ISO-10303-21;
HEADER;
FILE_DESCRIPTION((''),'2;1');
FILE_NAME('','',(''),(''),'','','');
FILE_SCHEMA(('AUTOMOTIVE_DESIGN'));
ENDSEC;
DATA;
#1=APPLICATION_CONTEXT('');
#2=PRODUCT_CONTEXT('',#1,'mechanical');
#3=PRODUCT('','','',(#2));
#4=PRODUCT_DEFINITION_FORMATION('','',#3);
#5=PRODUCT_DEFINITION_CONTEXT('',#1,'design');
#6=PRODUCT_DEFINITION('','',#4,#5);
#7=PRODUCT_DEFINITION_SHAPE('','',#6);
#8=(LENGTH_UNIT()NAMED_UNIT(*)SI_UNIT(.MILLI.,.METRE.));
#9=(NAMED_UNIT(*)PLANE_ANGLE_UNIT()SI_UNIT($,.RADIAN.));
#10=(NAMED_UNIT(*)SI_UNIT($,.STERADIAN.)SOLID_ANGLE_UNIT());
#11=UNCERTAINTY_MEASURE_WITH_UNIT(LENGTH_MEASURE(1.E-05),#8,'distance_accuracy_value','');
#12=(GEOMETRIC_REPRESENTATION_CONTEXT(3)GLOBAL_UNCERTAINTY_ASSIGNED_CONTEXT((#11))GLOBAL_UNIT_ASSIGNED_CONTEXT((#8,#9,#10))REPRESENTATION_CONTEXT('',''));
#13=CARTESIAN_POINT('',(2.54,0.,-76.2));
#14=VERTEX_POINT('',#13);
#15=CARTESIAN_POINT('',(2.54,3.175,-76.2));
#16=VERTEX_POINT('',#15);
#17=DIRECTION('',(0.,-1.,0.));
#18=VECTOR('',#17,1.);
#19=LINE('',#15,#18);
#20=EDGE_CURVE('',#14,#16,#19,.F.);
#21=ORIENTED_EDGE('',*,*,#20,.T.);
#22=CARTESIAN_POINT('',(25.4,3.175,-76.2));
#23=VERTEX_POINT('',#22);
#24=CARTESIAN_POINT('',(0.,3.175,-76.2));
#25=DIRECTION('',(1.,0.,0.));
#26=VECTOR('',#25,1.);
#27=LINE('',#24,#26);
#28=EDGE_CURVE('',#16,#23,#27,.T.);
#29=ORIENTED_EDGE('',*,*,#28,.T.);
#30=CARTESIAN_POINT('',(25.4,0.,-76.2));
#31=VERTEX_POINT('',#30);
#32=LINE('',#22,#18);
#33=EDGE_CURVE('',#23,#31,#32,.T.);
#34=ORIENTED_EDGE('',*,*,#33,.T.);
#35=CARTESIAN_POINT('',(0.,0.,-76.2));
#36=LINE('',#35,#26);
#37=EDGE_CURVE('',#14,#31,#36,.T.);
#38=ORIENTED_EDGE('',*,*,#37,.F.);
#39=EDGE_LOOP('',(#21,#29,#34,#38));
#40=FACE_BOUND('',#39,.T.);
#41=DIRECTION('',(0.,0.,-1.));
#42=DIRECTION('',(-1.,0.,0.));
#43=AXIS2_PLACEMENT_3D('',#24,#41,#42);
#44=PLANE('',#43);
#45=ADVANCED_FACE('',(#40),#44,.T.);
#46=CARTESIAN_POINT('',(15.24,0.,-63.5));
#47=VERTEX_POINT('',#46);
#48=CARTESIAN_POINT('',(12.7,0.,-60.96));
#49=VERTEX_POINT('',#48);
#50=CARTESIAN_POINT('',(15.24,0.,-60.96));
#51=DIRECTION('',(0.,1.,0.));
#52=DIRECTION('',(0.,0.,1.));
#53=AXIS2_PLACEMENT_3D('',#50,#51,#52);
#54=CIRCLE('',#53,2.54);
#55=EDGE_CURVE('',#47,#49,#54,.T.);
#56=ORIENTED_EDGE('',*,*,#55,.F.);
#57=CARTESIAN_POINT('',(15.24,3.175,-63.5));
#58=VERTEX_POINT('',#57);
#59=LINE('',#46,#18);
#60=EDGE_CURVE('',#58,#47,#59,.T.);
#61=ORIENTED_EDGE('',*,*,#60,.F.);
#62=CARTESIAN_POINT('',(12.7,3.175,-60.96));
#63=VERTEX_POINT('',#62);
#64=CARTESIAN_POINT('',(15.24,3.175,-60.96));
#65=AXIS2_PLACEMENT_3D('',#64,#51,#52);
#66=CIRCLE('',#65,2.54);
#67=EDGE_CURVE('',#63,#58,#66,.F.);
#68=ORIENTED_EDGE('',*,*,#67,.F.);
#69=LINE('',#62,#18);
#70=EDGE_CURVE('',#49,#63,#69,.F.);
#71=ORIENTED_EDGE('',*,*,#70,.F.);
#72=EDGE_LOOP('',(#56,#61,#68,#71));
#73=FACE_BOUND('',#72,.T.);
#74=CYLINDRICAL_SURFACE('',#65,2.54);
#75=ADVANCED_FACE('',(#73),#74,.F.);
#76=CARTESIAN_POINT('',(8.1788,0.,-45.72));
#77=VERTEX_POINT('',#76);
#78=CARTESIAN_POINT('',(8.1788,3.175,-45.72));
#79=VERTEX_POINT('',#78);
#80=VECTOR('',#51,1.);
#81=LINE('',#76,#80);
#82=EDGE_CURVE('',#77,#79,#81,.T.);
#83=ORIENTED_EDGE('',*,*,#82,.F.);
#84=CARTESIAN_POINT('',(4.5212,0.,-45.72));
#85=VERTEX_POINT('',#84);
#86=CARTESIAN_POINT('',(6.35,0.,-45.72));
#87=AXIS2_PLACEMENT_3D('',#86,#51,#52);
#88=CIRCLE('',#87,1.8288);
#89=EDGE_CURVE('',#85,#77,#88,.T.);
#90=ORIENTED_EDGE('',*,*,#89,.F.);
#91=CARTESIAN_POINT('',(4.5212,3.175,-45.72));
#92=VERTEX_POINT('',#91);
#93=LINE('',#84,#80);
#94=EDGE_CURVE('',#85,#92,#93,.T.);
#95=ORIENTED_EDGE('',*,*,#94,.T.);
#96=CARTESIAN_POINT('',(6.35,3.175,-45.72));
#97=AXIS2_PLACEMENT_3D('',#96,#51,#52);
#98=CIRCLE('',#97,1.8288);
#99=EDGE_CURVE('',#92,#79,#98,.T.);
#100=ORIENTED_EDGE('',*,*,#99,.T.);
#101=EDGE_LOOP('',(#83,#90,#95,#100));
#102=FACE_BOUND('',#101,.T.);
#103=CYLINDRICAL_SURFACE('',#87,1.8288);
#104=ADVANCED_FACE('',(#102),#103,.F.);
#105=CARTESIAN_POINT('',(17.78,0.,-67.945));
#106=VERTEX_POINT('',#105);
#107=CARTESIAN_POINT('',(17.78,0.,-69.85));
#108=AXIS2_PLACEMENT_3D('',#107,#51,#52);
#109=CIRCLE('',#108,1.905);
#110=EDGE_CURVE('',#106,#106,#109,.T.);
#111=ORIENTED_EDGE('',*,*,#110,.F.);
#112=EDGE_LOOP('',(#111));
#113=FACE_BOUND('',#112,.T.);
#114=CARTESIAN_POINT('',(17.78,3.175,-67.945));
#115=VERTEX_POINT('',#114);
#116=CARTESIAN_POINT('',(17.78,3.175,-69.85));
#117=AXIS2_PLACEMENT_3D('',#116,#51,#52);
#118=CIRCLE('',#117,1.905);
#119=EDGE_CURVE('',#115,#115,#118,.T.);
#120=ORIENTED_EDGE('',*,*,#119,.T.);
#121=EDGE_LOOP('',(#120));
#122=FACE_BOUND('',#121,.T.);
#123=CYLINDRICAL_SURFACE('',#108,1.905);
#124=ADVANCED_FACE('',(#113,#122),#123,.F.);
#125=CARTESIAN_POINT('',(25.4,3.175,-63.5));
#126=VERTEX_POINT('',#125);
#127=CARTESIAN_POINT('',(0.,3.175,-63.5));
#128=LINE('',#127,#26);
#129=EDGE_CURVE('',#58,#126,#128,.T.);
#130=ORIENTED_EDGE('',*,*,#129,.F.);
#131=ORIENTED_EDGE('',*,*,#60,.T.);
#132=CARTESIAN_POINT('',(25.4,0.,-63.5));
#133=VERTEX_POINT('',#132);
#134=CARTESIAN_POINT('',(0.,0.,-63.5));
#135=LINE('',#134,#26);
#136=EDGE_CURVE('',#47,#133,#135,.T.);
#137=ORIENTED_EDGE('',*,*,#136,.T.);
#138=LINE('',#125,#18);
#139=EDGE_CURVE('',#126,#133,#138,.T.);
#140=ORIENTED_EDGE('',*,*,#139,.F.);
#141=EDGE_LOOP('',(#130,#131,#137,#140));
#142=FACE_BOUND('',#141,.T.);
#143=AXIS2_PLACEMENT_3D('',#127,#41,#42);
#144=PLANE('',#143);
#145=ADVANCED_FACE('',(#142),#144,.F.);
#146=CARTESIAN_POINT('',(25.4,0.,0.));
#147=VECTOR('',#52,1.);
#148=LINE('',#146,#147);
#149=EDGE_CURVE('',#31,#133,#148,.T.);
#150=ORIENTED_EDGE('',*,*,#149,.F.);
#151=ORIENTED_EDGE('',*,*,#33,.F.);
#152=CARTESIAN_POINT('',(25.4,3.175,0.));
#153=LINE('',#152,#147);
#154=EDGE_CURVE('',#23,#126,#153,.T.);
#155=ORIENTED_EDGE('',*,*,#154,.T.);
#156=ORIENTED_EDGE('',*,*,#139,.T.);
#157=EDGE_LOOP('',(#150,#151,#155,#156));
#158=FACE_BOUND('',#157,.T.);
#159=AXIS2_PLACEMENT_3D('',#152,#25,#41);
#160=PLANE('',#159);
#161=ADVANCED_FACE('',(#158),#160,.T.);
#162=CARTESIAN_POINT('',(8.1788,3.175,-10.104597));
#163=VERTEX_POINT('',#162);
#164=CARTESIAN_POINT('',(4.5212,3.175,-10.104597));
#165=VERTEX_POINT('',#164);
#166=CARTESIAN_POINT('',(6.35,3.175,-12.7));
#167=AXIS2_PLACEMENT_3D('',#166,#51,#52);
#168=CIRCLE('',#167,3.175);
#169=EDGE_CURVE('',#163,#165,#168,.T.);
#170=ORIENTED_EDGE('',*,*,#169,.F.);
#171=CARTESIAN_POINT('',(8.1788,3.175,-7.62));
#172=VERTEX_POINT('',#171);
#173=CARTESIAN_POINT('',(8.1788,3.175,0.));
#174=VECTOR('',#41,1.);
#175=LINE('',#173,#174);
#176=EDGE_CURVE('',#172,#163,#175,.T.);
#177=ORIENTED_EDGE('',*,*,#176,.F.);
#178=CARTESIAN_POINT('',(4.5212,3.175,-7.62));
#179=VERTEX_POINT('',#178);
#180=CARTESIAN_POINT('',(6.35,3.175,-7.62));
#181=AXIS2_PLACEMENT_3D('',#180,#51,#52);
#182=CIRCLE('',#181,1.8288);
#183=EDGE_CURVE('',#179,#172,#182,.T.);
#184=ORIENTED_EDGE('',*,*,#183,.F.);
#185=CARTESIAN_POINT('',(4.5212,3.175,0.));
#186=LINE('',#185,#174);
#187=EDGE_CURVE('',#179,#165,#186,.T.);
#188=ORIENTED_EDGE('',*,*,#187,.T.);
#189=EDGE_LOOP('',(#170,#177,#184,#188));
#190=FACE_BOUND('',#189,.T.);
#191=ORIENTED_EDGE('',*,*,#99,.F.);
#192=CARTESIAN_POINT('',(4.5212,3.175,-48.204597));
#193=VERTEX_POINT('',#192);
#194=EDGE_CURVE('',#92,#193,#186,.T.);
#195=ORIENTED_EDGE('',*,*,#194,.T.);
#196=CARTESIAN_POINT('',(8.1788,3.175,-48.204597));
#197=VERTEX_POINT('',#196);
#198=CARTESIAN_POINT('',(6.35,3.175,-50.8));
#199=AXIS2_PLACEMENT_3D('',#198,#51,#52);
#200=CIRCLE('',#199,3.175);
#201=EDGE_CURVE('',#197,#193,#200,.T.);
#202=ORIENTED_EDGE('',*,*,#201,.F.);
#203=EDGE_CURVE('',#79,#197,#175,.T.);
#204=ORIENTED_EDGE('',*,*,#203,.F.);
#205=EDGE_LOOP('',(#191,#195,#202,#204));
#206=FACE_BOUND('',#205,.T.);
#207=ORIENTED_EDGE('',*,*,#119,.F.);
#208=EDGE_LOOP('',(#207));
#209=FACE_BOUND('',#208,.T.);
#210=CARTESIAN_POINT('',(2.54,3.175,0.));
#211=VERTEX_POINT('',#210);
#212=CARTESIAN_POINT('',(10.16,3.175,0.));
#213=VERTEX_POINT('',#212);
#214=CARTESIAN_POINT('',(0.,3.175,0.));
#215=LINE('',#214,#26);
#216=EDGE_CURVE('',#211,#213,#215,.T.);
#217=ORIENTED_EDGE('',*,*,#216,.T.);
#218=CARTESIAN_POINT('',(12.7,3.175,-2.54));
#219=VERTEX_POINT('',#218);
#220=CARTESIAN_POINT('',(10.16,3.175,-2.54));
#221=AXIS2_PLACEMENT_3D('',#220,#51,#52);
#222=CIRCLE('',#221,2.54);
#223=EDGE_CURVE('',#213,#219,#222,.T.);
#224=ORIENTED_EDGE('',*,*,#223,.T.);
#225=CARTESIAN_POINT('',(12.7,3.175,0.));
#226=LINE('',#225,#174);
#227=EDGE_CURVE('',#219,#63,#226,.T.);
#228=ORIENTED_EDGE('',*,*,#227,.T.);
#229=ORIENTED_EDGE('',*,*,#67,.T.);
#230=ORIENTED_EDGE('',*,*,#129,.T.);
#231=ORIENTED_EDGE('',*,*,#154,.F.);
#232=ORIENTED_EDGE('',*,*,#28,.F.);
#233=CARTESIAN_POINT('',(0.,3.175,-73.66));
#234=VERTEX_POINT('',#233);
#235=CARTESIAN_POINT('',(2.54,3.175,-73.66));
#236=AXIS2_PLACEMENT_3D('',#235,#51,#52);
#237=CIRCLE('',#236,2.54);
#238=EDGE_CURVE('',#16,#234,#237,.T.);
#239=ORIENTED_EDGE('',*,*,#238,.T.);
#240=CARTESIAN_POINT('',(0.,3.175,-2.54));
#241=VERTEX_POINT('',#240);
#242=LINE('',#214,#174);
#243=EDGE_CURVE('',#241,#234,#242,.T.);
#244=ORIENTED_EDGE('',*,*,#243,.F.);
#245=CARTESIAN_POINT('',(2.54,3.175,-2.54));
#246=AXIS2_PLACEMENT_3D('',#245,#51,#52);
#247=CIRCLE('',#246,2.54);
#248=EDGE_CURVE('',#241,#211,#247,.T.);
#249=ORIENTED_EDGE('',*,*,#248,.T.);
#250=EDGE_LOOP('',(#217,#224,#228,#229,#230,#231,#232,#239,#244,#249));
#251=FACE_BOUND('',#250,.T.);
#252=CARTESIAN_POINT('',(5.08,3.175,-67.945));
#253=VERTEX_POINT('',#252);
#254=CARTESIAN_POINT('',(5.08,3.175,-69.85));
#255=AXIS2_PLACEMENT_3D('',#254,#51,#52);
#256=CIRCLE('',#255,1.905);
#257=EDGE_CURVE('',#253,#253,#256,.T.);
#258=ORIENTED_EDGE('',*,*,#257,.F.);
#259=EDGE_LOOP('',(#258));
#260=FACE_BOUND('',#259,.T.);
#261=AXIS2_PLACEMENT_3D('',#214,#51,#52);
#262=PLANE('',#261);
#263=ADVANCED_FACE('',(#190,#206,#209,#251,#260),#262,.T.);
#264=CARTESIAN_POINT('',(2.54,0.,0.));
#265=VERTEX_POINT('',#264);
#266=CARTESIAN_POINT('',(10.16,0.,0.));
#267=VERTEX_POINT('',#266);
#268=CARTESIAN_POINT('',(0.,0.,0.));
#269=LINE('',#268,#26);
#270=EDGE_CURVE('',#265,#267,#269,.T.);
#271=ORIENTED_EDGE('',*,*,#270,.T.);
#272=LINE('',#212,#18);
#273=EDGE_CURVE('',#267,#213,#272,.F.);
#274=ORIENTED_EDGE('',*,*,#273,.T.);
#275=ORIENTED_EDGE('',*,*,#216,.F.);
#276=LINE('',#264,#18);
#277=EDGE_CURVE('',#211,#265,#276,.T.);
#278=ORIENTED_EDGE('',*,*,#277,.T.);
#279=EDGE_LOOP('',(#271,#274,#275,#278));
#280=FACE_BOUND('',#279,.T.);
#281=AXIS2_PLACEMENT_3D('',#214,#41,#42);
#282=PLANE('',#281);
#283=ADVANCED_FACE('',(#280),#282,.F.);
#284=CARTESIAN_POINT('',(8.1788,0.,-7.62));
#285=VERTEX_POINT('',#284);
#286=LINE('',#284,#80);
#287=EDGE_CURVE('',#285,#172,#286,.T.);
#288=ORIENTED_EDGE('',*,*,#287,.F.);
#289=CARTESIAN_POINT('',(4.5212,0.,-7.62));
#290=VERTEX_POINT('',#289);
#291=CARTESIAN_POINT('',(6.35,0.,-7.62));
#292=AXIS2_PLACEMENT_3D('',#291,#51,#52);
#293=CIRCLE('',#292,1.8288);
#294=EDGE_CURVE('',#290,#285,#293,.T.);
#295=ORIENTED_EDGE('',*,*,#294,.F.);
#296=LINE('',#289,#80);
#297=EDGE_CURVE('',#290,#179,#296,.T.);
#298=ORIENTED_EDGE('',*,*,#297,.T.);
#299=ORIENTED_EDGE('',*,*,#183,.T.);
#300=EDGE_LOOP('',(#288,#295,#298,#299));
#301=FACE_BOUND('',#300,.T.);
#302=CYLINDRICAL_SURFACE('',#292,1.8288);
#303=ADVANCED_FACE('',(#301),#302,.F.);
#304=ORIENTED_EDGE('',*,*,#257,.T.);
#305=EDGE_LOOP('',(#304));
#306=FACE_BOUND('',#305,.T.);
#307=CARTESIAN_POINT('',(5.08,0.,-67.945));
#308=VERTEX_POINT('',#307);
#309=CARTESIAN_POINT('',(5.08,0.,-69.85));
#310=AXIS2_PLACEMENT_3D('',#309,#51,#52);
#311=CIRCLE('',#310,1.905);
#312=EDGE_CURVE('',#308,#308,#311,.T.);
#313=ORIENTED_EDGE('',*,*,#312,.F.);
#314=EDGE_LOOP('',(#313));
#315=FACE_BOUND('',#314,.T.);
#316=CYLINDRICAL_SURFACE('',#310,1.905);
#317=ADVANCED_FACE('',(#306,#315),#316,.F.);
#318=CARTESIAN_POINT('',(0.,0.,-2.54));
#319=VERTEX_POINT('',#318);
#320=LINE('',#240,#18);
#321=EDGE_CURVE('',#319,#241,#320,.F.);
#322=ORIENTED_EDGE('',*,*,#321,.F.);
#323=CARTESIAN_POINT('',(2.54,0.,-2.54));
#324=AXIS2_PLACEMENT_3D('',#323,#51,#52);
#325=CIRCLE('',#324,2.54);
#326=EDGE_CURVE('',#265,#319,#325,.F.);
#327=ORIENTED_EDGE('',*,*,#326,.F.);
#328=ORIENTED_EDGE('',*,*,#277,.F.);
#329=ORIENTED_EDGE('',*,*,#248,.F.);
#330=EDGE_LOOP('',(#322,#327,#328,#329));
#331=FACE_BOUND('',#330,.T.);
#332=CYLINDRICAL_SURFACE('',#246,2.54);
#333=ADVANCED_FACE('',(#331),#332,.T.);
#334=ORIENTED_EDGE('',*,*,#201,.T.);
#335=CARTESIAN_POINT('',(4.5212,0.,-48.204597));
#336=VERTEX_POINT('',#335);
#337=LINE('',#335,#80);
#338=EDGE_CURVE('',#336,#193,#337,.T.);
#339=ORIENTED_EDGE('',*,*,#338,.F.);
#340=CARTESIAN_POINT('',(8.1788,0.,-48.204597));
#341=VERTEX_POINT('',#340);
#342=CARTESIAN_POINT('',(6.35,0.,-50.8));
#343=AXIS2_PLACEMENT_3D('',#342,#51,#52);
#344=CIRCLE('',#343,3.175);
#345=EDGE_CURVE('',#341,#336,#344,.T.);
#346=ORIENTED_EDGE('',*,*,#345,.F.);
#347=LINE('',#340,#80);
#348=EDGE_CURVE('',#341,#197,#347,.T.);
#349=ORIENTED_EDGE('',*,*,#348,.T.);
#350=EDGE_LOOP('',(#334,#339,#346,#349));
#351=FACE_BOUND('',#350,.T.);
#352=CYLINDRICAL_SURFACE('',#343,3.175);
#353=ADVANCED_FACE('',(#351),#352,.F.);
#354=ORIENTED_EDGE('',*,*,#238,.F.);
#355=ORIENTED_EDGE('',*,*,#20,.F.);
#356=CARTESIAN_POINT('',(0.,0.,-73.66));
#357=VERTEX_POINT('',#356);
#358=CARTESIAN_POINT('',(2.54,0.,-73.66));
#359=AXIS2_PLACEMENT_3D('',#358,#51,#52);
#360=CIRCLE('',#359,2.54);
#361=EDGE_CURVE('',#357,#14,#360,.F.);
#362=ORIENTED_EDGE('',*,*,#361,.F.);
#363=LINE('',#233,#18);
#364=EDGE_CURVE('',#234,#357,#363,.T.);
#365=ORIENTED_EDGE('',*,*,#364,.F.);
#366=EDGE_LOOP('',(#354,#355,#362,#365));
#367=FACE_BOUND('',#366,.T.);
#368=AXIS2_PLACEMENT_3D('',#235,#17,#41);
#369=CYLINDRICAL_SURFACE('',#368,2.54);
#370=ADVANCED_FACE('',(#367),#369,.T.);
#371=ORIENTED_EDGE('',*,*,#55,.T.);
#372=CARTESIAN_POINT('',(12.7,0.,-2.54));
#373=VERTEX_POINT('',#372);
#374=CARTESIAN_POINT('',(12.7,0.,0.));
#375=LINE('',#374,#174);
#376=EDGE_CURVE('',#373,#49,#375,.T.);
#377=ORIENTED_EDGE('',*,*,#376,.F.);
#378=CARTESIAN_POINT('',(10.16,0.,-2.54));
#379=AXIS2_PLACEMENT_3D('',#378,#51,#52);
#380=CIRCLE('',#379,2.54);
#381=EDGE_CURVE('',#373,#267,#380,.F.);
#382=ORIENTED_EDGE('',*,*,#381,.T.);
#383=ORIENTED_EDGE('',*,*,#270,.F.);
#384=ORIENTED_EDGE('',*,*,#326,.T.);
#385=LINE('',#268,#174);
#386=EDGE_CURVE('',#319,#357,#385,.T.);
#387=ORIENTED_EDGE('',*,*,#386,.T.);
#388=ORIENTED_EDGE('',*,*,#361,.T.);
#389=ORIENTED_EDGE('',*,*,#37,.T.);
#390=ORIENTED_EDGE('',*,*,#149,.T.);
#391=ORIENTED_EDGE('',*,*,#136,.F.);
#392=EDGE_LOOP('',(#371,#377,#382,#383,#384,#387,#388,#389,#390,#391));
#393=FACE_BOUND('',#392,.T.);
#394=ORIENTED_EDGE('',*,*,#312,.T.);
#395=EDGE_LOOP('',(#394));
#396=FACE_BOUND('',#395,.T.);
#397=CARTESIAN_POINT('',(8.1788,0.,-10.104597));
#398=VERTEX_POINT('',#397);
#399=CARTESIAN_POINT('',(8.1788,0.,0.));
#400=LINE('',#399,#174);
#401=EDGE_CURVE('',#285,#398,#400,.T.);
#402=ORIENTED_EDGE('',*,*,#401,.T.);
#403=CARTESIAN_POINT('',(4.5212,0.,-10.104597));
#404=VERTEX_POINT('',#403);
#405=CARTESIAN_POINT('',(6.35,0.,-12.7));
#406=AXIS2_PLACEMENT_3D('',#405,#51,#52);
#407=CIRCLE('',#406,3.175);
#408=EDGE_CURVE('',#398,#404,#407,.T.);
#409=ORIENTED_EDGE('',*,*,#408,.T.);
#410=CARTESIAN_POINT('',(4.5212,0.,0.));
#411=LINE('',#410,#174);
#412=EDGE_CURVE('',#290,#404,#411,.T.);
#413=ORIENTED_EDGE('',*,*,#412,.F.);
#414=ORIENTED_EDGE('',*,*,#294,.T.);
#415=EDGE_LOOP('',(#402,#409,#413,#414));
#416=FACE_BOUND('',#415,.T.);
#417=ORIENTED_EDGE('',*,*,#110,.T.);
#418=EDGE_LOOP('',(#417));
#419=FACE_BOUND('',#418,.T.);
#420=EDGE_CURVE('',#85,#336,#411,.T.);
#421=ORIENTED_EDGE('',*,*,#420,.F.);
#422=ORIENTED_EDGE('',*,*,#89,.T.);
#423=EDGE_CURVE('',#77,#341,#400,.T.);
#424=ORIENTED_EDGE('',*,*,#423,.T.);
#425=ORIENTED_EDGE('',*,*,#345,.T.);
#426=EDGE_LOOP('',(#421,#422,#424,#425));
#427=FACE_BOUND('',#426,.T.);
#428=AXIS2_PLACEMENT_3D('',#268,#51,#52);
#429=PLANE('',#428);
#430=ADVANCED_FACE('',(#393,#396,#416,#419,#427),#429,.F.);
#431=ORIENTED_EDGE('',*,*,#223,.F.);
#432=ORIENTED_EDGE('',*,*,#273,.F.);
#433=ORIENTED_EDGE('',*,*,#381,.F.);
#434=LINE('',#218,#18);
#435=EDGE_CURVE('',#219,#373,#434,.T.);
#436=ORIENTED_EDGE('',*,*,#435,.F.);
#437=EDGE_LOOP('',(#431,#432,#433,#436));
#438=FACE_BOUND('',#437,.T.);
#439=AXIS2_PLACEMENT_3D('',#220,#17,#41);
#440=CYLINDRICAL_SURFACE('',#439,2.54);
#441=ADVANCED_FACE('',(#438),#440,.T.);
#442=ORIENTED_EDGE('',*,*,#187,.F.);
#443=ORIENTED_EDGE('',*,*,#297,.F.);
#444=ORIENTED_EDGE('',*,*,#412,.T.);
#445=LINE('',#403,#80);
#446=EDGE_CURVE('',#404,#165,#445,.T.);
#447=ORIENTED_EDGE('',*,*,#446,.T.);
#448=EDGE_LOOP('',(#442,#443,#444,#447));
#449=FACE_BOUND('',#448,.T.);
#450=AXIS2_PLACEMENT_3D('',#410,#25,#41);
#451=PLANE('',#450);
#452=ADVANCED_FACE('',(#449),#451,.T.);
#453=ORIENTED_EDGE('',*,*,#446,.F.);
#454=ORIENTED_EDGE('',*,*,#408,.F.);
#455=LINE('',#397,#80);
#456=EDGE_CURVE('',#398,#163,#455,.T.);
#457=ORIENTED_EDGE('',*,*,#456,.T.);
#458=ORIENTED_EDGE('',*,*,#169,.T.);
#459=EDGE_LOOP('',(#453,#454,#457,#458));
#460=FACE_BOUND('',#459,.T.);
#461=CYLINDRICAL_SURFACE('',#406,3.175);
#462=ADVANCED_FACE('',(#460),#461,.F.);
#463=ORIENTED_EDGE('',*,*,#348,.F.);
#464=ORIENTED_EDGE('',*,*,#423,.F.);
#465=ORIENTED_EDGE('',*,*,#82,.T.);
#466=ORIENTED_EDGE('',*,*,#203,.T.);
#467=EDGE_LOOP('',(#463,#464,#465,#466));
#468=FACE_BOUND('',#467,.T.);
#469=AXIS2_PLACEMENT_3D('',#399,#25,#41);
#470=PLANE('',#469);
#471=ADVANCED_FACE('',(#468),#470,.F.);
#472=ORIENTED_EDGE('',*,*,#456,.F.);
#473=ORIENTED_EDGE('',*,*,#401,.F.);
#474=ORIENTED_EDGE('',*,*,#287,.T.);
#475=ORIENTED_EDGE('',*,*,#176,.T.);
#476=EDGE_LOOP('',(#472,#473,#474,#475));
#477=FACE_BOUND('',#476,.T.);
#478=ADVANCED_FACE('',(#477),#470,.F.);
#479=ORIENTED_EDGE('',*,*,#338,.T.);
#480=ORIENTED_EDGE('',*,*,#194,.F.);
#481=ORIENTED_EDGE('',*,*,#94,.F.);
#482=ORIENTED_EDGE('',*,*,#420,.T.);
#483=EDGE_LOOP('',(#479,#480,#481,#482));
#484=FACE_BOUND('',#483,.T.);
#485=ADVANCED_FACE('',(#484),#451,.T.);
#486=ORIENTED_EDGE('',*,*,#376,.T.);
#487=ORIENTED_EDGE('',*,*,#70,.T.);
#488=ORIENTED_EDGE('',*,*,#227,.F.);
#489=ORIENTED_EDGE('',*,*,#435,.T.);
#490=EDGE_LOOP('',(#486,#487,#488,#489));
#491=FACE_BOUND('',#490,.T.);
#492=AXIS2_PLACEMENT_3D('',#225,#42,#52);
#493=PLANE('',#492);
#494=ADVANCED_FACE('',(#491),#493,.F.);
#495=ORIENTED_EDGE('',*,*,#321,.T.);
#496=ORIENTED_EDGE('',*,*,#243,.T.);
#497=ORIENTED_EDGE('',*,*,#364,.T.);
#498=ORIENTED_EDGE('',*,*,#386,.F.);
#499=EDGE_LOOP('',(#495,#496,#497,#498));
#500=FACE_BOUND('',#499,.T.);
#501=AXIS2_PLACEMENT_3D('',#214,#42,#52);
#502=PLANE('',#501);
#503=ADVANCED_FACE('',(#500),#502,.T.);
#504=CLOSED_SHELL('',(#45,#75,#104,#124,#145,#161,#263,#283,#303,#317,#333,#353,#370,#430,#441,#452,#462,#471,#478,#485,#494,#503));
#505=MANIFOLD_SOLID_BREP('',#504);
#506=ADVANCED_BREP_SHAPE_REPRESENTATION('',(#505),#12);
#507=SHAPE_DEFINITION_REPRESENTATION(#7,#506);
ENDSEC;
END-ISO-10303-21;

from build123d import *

# Parameters (mm, degrees)
BOSS_EXTRUDE1_DEPTH = 3.175
SKETCH2_R           = 1.905
CUT_EXTRUDE1_DEPTH  = 3.175
FILLET3_R           = 2.54


with BuildPart() as part:
    # Sketch1 → Boss-Extrude1 (new body)
    with BuildSketch(Plane(origin=(0, 0, 0), x_dir=(1, 0, 0), z_dir=(0, 1, 0))):
        Polygon((0, 76.2), (0, 0), (12.7, 0), (12.7, 63.5), (25.4, 63.5), (25.4, 76.2), align=None)
    extrude(amount=BOSS_EXTRUDE1_DEPTH)

    # Sketch2 → Cut-Extrude1 (cut)
    with BuildSketch(Plane(origin=(0, 3.175, 0), x_dir=(1, 0, 0), z_dir=(0, 1, 0))):
        with BuildLine():
            Line((4.5212, 48.204597226), (4.5212, 45.72))
            ThreePointArc((4.5212, 45.72), (6.35, 43.8912), (8.1788, 45.72))
            Line((8.1788, 45.72), (8.1788, 48.204597226))
            ThreePointArc((8.1788, 48.204597226), (6.35, 53.975), (4.5212, 48.204597226))
        make_face()
        with BuildLine():
            Line((4.5212, 10.104597226), (4.5212, 7.62))
            ThreePointArc((4.5212, 7.62), (6.35, 5.7912), (8.1788, 7.62))
            Line((8.1788, 7.62), (8.1788, 10.104597226))
            ThreePointArc((8.1788, 10.104597226), (6.35, 15.875), (4.5212, 10.104597226))
        make_face()
        with Locations((17.78, 69.85)):
            Circle(SKETCH2_R)
        with Locations((5.08, 69.85)):
            Circle(SKETCH2_R)
    extrude(amount=-CUT_EXTRUDE1_DEPTH, mode=Mode.SUBTRACT)

    # Fillet3
    fillet3_edges = [part.edges().sort_by_distance(p)[0] for p in [
        (12.7, 1.5875, -63.5),
        (12.7, 1.5875, 0),
        (0, 1.5875, 0),
        (0, 1.5875, -76.2),
    ]]
    fillet(fillet3_edges, radius=FILLET3_R)


solid = part.part
